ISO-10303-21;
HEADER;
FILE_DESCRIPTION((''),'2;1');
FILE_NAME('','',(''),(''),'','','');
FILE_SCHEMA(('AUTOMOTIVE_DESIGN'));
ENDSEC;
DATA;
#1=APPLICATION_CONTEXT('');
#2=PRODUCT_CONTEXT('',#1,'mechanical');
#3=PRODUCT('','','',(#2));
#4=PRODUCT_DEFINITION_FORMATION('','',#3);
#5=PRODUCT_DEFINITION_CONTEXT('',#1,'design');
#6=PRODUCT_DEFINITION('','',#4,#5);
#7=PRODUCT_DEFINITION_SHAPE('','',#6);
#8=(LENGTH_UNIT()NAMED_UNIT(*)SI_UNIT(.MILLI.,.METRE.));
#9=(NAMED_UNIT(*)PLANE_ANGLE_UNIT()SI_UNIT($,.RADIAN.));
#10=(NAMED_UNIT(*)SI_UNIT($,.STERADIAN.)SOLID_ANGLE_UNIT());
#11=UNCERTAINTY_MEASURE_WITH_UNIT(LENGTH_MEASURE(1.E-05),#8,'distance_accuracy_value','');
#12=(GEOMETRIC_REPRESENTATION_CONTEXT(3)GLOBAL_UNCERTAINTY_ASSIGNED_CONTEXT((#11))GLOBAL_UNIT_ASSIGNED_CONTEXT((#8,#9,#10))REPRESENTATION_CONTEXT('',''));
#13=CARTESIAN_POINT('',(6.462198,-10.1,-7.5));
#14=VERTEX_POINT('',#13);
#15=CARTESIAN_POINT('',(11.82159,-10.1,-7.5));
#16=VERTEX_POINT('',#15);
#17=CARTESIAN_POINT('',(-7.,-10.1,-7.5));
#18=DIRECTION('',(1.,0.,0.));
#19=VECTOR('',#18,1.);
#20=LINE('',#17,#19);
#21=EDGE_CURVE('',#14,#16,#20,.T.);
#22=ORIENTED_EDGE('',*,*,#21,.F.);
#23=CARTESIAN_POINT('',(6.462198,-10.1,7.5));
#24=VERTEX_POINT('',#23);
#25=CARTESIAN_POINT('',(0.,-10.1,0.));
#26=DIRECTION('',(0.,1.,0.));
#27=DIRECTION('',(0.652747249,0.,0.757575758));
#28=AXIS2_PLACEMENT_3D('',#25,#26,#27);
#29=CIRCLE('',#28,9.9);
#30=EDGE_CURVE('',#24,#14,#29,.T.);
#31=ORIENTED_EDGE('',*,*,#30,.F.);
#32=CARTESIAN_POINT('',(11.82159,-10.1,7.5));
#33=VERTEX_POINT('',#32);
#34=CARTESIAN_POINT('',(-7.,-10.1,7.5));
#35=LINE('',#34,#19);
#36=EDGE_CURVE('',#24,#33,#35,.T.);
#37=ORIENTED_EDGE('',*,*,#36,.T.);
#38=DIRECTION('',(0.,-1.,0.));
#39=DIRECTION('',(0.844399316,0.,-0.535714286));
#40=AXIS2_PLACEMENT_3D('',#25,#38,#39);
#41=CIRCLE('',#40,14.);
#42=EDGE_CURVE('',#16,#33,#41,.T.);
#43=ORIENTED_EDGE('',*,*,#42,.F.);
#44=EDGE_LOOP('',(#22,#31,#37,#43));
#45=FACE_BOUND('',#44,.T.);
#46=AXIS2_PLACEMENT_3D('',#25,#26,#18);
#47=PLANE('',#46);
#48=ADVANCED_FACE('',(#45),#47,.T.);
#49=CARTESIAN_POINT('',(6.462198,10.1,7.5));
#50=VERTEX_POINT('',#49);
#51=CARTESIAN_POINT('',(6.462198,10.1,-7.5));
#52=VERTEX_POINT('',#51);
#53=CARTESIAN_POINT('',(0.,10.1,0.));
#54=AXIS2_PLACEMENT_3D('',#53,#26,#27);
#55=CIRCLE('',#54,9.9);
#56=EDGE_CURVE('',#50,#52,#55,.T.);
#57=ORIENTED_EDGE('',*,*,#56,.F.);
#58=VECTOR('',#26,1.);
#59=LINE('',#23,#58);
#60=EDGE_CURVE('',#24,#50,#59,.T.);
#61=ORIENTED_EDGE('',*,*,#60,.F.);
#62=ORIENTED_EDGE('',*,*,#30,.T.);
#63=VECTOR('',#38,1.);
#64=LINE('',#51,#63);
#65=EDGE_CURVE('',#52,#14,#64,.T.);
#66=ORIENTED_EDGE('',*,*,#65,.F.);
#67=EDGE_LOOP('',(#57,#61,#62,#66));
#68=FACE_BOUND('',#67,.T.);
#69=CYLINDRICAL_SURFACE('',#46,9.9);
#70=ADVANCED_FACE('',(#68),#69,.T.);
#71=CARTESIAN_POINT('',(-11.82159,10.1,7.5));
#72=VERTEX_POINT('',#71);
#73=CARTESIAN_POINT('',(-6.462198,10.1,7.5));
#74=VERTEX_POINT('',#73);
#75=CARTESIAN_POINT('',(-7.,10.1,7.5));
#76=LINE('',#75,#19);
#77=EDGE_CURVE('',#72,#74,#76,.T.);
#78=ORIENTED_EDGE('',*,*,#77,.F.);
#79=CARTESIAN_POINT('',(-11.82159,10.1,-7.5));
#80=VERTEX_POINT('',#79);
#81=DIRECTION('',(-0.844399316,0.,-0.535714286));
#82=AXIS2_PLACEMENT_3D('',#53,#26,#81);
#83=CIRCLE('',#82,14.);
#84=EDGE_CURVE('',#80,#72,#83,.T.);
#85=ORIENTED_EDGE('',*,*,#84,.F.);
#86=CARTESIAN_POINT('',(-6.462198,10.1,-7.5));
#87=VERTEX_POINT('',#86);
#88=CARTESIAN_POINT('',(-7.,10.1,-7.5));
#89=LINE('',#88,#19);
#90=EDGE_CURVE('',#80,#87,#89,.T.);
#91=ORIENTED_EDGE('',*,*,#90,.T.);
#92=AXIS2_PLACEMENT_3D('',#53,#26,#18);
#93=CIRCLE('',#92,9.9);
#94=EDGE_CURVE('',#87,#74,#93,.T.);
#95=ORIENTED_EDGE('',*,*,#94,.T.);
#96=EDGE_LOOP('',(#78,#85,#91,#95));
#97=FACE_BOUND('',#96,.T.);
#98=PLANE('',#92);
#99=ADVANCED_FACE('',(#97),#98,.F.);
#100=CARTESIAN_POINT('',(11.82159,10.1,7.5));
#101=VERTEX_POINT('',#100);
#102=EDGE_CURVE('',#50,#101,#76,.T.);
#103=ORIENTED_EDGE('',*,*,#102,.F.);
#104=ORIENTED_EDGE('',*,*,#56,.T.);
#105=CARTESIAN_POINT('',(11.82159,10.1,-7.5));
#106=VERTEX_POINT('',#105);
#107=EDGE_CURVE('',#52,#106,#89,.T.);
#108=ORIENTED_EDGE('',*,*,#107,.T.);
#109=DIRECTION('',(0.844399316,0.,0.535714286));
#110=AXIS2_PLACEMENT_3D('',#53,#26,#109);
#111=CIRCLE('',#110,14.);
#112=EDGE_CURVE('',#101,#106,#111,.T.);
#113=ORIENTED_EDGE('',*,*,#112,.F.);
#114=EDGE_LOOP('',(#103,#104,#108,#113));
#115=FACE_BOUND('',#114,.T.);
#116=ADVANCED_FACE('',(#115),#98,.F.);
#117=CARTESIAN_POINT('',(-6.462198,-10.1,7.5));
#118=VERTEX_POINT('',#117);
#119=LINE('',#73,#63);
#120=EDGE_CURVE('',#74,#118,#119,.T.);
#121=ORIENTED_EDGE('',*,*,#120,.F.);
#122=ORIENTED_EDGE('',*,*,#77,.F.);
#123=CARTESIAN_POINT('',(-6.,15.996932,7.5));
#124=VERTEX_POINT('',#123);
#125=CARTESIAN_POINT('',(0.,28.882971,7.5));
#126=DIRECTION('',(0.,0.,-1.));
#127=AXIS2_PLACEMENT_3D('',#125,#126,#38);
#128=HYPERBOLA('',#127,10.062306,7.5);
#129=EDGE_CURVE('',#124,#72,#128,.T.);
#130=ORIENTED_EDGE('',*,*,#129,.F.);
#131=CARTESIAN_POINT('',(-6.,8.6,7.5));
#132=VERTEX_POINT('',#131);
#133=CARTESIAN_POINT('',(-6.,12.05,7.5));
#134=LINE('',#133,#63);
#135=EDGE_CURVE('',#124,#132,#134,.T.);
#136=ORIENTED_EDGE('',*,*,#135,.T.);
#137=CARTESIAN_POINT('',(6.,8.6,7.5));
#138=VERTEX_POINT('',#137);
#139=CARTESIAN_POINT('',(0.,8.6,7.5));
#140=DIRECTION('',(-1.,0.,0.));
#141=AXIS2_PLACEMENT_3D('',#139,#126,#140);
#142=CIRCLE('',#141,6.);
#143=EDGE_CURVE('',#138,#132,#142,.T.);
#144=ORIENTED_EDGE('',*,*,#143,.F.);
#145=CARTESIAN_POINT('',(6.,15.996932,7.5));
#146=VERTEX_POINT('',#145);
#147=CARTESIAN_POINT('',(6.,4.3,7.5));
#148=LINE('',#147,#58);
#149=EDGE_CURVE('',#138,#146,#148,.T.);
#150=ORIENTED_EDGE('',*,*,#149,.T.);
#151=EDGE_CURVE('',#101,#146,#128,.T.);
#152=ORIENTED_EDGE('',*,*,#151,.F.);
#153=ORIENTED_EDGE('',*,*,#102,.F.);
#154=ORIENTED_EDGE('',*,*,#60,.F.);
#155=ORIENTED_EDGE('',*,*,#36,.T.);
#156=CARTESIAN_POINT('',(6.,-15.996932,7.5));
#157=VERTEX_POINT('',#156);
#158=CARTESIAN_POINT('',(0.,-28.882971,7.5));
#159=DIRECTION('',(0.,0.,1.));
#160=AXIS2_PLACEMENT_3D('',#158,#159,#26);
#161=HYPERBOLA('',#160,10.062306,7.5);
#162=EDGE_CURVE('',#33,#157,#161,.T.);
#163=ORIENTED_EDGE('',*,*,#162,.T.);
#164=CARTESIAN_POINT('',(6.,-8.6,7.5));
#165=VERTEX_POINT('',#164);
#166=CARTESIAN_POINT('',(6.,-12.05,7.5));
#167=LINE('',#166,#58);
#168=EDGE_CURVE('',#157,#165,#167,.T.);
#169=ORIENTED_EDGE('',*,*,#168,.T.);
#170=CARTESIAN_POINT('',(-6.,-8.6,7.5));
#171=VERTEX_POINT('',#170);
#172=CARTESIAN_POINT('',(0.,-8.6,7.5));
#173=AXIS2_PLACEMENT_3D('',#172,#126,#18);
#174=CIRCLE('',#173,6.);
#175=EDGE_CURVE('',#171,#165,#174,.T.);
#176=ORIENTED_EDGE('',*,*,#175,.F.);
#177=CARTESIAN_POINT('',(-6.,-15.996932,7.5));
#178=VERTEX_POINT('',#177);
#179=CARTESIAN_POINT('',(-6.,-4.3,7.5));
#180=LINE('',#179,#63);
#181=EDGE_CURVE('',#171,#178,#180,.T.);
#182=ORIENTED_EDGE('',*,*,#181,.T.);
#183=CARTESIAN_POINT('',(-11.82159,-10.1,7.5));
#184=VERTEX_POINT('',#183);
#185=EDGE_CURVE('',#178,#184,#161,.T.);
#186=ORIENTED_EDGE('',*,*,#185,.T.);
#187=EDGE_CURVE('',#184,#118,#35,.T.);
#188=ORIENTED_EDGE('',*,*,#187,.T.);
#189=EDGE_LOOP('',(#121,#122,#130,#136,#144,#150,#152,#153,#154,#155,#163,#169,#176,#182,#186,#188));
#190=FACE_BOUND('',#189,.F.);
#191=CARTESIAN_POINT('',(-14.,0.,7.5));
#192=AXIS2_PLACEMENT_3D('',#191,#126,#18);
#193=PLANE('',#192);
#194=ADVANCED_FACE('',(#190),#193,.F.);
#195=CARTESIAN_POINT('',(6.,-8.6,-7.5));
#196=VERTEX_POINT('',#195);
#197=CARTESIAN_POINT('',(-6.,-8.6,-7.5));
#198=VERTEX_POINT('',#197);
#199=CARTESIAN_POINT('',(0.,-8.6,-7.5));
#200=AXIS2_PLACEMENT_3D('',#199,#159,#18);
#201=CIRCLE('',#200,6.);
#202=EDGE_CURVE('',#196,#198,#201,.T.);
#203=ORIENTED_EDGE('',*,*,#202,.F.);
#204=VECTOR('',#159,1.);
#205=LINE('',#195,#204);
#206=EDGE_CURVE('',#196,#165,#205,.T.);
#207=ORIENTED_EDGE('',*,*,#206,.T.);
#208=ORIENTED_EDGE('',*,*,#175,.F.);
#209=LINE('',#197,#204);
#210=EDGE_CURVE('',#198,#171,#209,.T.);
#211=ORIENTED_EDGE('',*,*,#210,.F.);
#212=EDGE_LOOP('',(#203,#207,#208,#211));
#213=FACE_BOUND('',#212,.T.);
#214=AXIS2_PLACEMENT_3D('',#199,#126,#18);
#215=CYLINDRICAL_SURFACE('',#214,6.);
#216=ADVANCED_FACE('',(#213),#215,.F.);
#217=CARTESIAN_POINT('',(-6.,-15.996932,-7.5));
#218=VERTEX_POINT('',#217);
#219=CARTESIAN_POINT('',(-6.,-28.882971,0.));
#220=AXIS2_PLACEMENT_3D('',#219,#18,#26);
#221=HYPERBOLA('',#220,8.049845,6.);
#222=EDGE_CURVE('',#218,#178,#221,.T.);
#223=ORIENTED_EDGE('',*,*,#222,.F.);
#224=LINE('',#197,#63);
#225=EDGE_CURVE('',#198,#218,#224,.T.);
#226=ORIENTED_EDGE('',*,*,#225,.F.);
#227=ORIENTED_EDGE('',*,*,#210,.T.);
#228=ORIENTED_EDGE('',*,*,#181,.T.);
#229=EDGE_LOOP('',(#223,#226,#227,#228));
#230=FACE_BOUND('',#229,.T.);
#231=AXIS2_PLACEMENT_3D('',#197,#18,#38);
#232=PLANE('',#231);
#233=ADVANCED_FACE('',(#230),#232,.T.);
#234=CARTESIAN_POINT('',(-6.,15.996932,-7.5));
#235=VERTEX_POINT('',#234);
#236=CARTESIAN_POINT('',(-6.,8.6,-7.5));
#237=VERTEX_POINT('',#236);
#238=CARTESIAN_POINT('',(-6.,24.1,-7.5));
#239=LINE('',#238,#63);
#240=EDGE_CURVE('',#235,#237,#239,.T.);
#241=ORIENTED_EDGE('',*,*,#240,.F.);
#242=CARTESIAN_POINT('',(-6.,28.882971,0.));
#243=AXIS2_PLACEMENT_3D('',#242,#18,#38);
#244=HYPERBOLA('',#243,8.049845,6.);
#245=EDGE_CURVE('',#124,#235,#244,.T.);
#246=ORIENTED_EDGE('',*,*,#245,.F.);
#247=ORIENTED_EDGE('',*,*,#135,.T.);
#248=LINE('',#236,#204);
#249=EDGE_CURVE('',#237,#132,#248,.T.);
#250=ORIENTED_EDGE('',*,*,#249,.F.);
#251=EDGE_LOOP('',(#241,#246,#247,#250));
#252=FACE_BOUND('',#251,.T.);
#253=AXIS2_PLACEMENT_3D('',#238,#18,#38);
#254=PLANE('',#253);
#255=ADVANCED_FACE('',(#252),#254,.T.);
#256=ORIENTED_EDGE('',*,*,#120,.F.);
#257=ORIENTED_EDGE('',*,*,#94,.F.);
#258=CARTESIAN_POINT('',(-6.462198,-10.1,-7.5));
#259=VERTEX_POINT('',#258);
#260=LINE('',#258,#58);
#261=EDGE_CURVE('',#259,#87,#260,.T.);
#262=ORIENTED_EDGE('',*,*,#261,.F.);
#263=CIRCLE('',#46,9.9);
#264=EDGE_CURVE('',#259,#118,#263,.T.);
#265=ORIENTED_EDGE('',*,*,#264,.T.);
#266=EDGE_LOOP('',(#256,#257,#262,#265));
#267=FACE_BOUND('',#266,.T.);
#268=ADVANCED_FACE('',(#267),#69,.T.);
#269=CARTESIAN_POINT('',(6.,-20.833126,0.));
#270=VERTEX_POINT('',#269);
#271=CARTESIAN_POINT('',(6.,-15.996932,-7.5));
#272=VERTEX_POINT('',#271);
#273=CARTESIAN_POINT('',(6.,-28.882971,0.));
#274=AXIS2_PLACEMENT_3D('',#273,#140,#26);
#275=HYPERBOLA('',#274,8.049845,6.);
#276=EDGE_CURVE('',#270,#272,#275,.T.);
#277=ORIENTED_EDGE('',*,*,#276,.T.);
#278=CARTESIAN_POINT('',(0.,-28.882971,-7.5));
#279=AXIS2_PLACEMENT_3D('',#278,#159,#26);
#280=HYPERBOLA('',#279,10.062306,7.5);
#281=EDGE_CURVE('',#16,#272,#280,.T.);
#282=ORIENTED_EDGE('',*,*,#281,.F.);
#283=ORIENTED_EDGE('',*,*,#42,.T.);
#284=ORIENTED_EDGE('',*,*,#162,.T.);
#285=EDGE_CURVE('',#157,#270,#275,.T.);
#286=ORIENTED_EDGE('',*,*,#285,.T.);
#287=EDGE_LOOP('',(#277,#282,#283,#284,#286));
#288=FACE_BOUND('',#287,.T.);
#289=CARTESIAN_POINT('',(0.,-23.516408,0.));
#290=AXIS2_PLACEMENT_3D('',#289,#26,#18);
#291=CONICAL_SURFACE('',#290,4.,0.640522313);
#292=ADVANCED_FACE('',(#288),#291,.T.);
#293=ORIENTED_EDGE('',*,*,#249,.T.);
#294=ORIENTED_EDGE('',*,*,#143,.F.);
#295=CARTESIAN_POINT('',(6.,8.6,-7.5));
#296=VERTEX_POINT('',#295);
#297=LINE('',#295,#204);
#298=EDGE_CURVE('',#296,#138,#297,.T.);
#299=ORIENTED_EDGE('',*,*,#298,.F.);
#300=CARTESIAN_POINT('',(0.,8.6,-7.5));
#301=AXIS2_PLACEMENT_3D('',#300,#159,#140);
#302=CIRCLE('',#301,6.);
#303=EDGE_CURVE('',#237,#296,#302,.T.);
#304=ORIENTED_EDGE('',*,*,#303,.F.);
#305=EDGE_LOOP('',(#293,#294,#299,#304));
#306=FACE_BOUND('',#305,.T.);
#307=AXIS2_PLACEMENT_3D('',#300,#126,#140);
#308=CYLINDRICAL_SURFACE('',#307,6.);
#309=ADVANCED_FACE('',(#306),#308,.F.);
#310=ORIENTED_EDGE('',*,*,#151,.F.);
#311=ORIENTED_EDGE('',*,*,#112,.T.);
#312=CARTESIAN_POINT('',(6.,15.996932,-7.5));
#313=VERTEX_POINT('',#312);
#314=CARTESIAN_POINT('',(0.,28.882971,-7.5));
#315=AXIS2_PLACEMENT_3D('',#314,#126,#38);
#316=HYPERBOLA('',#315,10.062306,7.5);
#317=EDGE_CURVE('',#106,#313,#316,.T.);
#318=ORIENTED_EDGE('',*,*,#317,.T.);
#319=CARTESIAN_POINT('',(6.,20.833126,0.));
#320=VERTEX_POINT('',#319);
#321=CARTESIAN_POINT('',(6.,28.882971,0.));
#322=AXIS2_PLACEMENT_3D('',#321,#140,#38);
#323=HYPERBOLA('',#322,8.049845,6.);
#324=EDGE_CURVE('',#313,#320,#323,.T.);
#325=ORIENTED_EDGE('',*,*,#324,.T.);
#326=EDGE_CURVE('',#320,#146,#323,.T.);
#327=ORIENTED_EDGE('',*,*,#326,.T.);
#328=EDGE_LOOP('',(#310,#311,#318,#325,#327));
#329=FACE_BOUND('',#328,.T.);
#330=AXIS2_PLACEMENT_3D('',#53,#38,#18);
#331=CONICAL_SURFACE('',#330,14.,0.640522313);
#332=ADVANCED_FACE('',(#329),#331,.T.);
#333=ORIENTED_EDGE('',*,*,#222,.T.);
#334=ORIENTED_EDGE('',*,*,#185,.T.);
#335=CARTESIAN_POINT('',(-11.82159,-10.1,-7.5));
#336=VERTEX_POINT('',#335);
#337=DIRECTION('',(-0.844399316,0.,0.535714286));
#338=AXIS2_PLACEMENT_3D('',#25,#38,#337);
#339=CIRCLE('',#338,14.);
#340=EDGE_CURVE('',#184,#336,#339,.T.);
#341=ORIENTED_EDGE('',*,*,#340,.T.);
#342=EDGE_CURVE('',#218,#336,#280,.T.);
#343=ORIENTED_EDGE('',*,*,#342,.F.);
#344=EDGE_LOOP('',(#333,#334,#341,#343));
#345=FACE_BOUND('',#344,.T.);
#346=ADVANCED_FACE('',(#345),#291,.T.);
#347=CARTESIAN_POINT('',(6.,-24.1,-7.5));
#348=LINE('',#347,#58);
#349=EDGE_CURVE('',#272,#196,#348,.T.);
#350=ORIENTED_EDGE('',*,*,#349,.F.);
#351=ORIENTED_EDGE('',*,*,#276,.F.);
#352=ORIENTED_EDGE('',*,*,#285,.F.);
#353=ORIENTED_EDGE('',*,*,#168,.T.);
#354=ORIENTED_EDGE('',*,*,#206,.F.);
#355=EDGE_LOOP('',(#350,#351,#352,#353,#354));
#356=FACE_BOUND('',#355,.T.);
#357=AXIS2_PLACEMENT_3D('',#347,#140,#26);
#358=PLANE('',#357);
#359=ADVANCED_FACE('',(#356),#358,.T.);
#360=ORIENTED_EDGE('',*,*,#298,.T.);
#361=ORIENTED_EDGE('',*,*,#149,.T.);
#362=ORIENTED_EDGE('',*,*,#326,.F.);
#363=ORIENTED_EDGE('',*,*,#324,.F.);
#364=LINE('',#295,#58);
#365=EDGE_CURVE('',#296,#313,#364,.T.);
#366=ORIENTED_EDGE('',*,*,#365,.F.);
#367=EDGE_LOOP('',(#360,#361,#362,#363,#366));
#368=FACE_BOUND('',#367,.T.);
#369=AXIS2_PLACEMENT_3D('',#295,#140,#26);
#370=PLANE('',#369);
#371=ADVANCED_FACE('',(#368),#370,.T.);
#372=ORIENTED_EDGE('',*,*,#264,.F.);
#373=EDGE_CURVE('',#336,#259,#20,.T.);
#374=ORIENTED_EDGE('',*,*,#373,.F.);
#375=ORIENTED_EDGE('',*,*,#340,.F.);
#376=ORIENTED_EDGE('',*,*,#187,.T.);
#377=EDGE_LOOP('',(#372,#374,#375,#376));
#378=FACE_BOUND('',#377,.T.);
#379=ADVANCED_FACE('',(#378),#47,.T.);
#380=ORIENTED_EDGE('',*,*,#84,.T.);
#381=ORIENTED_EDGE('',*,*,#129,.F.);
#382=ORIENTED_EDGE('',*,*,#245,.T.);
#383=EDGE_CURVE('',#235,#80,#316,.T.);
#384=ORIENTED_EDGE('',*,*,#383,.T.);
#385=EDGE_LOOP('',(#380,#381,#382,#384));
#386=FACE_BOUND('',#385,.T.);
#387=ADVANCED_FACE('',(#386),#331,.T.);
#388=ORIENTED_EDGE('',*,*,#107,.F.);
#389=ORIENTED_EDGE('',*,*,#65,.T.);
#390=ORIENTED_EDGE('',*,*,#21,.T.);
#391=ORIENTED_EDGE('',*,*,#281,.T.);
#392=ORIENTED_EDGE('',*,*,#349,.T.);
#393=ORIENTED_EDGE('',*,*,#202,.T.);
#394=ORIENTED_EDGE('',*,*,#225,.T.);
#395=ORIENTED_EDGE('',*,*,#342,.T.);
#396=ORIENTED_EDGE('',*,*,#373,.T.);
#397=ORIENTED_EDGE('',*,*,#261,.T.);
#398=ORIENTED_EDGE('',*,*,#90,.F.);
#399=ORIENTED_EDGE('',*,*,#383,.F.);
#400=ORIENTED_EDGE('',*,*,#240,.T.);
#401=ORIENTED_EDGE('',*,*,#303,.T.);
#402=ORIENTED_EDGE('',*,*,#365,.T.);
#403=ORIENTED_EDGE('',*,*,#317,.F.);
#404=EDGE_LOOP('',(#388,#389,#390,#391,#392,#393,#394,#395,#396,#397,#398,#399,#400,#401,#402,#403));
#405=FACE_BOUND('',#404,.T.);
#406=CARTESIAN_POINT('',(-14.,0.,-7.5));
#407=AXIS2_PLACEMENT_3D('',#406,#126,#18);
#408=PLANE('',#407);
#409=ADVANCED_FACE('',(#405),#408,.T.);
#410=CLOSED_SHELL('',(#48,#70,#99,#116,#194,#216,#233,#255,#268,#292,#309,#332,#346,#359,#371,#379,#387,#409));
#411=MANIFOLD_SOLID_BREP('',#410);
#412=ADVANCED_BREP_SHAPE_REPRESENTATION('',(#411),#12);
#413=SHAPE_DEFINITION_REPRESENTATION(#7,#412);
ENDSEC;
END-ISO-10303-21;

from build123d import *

# Parameters (mm, degrees)
ESBO_O2_OUTSIDE_W          = 42.476
ESBO_O2_OUTSIDE_H          = 42.476
ESBO_O2_OUTSIDE_W_2        = 28
ESBO_O2_OUTSIDE_H_2        = 15
CORTE_EXTRUS_O1_DEPTH      = 25.1
CORTE_EXTRUS_O1_DEPTH_BACK = 25.1
CORTE_EXTRUS_O2_DEPTH      = 16


with BuildPart() as part:
    # Esboço1 one side → Revolução1 (revolve)
    with BuildSketch(Plane.XY):
        with BuildLine():
            ThreePointArc((4, 23.516407865), (2.02117415, 23.953333716), (0, 24.1))
            Line((0, 24.1), (0, -24.1))
            ThreePointArc((0, -24.1), (2.02117415, -23.953333716), (4, -23.516407865))
            Line((4, -23.516407865), (14, -10.1))
            Line((14, -10.1), (9.9, -10.1))
            Line((9.9, -10.1), (9.9, 10.1))
            Line((9.9, 10.1), (14, 10.1))
            Line((14, 10.1), (4, 23.516407865))
        make_face()
    revolve(axis=Axis((0, -24.1, 0), (0, 1, 0)))

    # Esboço2 outside → Corte-extrusão1 (cut, two sides)
    with BuildSketch(Plane(origin=(0, 0, 0), x_dir=(1, 0, 0), z_dir=(0, 1, 0))) as corte_extrus_o1_sk:
        Rectangle(ESBO_O2_OUTSIDE_W, ESBO_O2_OUTSIDE_H)
        Rectangle(ESBO_O2_OUTSIDE_W_2, ESBO_O2_OUTSIDE_H_2, mode=Mode.SUBTRACT)
    extrude(amount=CORTE_EXTRUS_O1_DEPTH, mode=Mode.SUBTRACT)
    extrude(corte_extrus_o1_sk.sketch, amount=-CORTE_EXTRUS_O1_DEPTH_BACK, mode=Mode.SUBTRACT)

    # Esboço3 → Corte-extrusão2 (cut, through all)
    with BuildSketch(Plane(origin=(0, 0, -7.5), x_dir=(-1, 0, 0), z_dir=(0, 0, -1))):
        with BuildLine():
            Line((6, 24.1), (6, 8.6))
            ThreePointArc((6, 8.6), (0, 2.6), (-6, 8.6))
            Line((-6, 8.6), (-6, 24.1))
            ThreePointArc((-6, 24.1), (0, 30.1), (6, 24.1))
        make_face()
        with BuildLine():
            Line((-6, -24.1), (-6, -8.6))
            ThreePointArc((-6, -8.6), (0, -2.6), (6, -8.6))
            Line((6, -8.6), (6, -24.1))
            ThreePointArc((6, -24.1), (0, -30.1), (-6, -24.1))
        make_face()
    extrude(amount=-CORTE_EXTRUS_O2_DEPTH, mode=Mode.SUBTRACT)


solid = part.part
